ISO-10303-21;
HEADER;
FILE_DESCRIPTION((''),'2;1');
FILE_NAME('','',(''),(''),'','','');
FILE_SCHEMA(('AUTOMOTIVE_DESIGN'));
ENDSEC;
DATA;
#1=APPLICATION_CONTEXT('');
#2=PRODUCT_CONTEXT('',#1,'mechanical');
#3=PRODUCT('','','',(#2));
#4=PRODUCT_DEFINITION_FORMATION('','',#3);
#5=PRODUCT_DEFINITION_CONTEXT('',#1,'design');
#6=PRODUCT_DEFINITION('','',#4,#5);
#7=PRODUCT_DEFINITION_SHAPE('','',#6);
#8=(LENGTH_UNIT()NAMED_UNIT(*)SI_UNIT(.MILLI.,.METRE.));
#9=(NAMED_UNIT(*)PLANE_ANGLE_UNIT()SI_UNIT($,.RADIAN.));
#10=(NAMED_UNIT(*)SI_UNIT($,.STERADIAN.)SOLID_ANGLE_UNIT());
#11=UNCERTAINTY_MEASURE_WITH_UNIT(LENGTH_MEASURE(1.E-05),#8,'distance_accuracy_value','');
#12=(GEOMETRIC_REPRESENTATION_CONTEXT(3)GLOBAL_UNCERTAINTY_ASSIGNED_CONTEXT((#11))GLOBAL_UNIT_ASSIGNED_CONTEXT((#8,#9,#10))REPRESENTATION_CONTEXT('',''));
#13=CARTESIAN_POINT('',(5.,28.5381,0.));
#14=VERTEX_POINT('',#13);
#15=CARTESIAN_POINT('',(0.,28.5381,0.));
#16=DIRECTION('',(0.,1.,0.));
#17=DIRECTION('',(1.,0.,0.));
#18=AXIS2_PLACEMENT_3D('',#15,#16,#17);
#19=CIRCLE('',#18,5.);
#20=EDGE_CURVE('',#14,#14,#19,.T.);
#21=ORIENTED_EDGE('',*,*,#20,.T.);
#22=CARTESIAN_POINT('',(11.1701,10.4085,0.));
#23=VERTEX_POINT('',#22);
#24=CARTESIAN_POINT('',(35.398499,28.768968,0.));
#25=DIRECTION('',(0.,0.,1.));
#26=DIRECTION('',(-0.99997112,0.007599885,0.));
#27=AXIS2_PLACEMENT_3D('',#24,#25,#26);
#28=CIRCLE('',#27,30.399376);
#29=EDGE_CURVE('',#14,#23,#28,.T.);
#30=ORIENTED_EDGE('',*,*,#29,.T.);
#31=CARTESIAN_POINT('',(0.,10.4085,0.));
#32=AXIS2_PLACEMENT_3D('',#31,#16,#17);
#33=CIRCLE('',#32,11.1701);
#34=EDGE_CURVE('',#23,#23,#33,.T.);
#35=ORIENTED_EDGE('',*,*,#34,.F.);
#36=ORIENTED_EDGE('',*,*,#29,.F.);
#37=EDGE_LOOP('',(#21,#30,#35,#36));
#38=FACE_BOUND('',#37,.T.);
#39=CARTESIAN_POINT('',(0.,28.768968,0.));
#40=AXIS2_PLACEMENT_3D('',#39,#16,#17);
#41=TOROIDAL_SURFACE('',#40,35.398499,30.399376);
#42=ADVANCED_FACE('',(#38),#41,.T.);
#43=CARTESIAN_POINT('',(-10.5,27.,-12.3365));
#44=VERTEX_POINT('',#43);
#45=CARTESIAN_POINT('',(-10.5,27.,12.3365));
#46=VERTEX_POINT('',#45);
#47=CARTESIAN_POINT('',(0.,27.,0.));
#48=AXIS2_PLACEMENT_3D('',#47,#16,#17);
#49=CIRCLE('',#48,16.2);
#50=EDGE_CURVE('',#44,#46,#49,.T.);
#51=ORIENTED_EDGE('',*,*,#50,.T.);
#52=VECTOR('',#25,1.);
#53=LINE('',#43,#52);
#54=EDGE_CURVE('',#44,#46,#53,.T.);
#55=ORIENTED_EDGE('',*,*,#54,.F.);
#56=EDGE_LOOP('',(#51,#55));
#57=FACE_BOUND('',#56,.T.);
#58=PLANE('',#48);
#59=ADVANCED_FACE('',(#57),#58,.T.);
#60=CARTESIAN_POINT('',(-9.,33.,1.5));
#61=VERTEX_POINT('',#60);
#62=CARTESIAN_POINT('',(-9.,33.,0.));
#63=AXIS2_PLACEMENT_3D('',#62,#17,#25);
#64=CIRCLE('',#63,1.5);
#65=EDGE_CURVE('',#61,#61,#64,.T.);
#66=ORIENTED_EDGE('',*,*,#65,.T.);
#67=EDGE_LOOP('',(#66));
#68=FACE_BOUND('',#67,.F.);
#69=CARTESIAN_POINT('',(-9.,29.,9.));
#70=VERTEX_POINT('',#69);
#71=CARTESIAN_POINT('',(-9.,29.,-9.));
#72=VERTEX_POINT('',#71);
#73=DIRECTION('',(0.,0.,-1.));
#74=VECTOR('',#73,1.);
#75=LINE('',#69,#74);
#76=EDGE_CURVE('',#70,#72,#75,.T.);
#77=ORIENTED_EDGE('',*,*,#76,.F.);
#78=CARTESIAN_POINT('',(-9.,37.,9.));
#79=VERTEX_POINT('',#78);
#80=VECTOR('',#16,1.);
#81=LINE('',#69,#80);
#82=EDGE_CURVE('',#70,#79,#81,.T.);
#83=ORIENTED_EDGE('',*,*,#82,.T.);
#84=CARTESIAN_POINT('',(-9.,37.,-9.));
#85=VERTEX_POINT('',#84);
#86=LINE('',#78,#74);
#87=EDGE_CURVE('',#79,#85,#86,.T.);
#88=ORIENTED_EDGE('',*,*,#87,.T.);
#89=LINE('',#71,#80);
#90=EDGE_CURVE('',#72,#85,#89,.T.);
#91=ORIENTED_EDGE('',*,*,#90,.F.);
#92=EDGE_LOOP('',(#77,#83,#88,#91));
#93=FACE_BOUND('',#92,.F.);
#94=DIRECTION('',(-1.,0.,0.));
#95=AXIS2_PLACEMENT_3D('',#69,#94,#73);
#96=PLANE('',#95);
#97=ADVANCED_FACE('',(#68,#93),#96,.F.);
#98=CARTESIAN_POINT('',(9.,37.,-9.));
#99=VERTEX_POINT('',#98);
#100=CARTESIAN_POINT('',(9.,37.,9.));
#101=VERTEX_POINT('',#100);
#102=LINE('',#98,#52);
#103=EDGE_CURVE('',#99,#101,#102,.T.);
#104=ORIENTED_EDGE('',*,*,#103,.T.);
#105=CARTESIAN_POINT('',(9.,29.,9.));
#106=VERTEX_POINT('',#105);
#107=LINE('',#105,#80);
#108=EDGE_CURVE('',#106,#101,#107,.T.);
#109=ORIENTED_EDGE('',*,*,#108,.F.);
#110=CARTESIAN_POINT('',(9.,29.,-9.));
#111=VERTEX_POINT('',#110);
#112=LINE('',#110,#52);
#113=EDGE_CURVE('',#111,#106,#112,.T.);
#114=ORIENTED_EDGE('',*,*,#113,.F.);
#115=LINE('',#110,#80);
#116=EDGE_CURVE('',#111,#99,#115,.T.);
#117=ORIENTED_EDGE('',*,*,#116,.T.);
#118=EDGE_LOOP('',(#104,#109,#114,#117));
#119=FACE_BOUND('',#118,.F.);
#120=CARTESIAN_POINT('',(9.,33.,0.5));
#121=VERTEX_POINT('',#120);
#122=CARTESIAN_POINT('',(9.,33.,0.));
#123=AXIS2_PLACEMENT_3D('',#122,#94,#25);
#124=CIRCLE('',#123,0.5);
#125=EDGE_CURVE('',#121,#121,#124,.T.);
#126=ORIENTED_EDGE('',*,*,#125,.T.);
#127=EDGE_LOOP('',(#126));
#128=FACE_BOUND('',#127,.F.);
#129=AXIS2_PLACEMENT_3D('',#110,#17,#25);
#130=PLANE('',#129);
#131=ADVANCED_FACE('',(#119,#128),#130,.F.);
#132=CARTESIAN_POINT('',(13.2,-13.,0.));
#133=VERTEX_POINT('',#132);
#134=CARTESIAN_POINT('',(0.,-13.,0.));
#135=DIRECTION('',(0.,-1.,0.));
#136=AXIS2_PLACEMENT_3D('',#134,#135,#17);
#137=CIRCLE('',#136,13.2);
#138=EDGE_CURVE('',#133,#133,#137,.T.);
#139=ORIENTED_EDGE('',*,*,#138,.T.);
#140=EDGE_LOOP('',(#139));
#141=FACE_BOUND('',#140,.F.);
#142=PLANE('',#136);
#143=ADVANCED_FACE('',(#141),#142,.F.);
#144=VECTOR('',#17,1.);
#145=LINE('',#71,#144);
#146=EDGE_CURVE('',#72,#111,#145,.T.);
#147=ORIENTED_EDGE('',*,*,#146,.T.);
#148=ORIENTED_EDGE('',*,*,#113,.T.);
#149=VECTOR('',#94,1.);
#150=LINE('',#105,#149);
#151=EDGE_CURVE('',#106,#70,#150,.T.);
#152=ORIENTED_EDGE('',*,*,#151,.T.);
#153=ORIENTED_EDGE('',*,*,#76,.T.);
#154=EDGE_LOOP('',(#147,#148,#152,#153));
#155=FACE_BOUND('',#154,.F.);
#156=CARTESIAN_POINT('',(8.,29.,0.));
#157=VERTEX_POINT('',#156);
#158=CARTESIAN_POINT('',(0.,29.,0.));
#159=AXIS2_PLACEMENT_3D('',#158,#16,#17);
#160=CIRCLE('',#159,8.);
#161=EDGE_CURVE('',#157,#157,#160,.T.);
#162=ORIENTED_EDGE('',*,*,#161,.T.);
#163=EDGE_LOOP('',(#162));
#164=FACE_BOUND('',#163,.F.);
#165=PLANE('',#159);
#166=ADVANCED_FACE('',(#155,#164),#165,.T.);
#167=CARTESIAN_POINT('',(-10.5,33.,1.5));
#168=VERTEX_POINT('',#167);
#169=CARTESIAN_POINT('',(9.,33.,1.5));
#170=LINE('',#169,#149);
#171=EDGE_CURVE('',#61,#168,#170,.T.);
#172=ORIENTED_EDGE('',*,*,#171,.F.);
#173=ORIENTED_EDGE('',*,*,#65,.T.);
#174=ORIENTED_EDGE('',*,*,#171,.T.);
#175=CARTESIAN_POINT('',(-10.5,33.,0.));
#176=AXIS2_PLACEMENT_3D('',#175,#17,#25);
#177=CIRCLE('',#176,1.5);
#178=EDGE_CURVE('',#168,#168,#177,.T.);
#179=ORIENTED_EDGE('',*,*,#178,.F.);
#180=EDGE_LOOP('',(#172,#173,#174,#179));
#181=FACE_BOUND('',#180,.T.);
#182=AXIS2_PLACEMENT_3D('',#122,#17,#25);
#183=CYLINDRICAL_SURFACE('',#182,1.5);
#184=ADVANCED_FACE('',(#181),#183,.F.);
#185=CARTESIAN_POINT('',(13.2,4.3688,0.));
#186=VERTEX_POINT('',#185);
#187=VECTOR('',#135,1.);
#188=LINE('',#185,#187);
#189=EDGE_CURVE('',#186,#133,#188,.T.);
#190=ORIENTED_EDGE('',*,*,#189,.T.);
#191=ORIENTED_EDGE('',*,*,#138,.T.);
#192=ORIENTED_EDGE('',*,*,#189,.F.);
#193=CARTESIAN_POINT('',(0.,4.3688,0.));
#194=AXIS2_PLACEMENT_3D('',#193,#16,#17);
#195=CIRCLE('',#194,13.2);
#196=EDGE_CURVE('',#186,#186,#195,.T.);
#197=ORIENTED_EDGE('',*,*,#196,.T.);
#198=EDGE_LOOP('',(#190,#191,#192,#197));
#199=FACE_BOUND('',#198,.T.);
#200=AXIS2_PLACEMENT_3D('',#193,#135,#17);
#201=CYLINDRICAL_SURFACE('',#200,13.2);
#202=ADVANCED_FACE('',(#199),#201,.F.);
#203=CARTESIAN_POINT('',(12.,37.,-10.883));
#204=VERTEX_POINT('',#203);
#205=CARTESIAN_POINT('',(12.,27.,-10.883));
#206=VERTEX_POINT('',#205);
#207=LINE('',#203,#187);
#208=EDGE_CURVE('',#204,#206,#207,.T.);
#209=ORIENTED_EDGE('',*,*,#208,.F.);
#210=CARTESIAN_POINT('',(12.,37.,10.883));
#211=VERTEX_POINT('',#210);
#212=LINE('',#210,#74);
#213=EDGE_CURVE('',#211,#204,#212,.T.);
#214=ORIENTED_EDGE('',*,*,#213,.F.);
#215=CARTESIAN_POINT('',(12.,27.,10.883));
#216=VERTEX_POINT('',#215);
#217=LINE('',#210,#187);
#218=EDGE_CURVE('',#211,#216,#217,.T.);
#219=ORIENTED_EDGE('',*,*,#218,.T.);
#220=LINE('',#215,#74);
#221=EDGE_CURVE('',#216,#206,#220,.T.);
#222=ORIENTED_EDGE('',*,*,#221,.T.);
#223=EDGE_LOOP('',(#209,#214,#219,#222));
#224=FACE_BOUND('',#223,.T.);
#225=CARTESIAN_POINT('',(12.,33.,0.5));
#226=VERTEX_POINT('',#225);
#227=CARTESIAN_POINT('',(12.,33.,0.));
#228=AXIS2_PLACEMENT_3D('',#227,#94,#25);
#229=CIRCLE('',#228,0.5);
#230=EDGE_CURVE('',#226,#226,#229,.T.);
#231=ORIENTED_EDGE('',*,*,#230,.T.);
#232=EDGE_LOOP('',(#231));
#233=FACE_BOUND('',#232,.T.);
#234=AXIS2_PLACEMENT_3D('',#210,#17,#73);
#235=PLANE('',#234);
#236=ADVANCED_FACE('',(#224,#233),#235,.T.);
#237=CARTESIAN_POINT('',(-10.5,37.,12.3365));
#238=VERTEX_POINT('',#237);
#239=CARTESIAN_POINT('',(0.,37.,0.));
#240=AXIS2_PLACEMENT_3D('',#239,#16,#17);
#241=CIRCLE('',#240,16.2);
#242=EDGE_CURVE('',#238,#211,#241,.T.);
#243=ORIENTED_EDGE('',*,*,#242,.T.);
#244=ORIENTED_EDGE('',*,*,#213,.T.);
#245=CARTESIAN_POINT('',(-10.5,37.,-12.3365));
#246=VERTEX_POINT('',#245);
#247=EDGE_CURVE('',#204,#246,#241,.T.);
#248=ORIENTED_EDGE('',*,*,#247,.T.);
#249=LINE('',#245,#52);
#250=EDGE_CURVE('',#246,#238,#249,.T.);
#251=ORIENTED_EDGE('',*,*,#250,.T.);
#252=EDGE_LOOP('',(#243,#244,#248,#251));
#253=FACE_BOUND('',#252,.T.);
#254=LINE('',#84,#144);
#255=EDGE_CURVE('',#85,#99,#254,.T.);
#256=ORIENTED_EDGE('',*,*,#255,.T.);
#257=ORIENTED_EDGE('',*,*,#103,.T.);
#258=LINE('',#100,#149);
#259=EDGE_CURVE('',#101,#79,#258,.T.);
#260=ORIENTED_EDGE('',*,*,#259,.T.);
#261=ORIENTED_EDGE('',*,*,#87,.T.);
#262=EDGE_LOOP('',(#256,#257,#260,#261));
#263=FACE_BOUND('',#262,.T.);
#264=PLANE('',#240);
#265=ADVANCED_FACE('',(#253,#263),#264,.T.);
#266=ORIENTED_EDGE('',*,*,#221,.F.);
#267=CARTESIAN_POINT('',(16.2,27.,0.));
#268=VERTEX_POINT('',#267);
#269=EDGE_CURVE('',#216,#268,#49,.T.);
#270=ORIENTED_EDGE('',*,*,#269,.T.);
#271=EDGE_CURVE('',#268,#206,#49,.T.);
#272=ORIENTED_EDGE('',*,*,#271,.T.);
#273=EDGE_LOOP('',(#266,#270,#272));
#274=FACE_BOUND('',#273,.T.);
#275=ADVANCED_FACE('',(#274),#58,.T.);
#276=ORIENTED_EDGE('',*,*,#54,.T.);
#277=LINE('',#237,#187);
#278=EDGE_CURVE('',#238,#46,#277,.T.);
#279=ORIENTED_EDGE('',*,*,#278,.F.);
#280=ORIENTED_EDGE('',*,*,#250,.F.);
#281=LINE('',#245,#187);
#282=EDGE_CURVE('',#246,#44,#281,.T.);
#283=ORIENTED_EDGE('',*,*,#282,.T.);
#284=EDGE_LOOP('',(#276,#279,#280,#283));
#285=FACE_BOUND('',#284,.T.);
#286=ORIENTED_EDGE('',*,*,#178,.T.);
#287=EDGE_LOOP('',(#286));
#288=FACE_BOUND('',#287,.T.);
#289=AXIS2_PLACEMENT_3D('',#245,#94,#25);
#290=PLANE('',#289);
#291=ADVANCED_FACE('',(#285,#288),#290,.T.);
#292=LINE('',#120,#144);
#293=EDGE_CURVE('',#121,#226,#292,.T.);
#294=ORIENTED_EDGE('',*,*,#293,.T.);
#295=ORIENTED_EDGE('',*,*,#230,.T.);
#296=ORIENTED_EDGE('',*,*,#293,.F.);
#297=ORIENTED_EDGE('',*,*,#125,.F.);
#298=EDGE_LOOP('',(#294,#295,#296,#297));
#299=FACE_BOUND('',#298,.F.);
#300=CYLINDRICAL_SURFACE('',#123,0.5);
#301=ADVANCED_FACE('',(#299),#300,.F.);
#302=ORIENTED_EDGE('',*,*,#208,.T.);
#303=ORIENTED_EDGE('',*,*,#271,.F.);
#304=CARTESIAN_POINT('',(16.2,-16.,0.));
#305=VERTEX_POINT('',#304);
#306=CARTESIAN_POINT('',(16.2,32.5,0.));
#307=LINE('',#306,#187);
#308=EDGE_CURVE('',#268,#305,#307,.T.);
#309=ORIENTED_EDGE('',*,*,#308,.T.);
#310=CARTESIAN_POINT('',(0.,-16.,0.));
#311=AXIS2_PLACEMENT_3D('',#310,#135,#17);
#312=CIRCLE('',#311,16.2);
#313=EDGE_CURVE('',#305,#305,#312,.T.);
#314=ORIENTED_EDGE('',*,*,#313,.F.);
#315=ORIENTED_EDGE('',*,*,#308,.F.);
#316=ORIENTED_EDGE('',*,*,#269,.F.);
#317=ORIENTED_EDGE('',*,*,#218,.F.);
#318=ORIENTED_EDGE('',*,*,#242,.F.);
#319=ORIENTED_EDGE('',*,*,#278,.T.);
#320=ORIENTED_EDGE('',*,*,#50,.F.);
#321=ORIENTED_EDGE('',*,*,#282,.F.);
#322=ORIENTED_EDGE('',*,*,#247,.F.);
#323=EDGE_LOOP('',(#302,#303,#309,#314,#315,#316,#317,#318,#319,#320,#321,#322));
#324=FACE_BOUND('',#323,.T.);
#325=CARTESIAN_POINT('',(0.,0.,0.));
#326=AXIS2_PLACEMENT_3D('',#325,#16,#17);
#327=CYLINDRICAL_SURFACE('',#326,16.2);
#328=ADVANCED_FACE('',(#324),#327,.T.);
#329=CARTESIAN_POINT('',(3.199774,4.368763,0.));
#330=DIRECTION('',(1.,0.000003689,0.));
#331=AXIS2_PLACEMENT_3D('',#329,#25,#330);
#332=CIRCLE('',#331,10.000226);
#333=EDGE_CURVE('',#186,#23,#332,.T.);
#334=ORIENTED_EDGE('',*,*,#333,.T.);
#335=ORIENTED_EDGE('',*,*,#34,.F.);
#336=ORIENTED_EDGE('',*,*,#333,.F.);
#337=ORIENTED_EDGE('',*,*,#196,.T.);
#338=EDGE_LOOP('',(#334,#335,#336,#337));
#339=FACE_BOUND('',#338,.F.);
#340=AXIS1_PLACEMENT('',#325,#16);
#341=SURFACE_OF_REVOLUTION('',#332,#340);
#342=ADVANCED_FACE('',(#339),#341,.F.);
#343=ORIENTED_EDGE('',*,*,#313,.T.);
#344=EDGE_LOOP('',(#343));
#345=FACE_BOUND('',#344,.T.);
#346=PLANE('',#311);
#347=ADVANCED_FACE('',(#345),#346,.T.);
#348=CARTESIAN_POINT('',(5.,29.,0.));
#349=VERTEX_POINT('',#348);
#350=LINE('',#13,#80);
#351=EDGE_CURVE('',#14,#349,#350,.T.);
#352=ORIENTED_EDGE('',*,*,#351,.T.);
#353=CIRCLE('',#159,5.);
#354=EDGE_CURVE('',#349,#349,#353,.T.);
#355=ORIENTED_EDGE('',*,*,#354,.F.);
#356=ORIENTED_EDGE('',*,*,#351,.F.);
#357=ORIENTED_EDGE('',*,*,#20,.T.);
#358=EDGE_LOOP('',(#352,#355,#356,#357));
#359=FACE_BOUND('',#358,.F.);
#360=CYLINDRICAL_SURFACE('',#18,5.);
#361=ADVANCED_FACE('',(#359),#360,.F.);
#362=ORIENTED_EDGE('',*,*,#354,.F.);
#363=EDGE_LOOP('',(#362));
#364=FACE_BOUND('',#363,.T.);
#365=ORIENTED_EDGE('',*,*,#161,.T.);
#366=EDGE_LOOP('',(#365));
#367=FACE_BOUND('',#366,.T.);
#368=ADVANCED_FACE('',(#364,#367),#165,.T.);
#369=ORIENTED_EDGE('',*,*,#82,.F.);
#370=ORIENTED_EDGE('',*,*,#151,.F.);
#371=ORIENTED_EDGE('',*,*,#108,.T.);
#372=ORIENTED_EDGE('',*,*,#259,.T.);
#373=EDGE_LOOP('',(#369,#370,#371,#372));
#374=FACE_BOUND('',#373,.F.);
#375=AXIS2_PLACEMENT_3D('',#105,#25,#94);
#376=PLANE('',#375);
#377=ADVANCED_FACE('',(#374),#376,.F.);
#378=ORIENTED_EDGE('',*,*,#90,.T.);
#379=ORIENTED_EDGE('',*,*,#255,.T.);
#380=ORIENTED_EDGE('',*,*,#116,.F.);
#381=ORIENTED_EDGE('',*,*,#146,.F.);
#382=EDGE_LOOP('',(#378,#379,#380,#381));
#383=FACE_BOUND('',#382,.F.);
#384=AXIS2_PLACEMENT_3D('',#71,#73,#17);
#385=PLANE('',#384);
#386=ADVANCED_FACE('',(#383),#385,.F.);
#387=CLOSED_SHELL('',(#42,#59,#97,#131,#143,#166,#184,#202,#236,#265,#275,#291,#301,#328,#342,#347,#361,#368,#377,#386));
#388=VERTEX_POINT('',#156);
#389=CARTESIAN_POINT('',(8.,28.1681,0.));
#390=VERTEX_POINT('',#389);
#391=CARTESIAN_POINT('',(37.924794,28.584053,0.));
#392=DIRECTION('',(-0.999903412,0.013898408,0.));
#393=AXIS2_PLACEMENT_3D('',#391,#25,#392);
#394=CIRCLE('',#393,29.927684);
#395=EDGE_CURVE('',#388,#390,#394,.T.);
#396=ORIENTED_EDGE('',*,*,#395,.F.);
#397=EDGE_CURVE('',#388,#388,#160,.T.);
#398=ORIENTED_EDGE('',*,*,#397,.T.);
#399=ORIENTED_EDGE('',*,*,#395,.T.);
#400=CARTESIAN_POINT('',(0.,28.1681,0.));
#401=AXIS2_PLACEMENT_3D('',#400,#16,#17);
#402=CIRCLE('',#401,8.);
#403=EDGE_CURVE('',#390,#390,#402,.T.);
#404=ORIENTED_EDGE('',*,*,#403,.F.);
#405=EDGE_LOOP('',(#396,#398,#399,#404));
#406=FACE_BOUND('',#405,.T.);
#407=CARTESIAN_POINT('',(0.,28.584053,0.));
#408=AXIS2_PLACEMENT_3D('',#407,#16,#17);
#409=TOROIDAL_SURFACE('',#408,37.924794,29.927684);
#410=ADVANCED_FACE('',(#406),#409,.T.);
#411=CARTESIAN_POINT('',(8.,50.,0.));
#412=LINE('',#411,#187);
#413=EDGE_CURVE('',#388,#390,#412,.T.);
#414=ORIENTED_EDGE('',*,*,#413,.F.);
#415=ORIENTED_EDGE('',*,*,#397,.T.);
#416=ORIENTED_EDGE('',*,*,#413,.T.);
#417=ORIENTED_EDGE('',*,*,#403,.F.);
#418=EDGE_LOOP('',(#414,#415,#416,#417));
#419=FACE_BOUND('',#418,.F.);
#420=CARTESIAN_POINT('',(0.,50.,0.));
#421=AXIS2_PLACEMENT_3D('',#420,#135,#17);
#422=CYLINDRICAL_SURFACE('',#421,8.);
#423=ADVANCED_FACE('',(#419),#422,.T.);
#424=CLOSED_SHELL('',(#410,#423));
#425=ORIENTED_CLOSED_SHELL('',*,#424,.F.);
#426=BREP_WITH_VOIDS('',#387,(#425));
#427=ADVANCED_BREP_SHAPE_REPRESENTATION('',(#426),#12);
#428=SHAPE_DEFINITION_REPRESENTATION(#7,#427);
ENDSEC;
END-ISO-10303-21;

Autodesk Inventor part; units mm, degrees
ref_plane "YZ Plane" through (0, 0, 0) normal (1, 0, 0) x (0, 1, 0)
ref_plane "XZ Plane" through (0, 0, 0) normal (0, 1, 0) x (-1, 0, 0)
ref_plane "XY Plane" through (0, 0, 0) normal (0, 0, 1) x (1, 0, 0)
sketch "Esboço1" plane through (0, 0, 0) normal (0, 0, 1) x (1, 0, 0)
  line L0 (0, 0) -> (14.7, 0)
  line L1 (14.7, 0) -> (16.2, 0)
  line L2 (16.2, 0) -> (16.2, 4.3403)
  line L3 (16.2, 50) -> (14.7, 50)
  line L4 (14.7, 50) -> (13.2, 50)
  line L5 (13.2, 4.3688) -> (13.2, 0)
  line L6 (0, 0) -> (0, 50)
  line L7 (0, 0) -> (5, 0)
  line L8 (5, 28.5381) -> (5, 50)
  line L9 (8, 29) -> (42.1402, 29)
  line L10 (15.5063, 8) -> (35.5749, 8)
  arc A0 (5, 29) -> (11.1701, 10.4085) centre (35.3987, 28.769) ccw
  arc A1 (13.2, 4.3688) -> (11.1701, 10.4085) centre (3.2, 4.3688) ccw
  line L11 (5, 50) -> (8, 50)
  arc A2 (8, 29) -> (14.1456, 10.4122) centre (37.9251, 28.5841) ccw
  arc A3 (16.2, 4.3403) -> (14.1456, 10.4122) centre (6.2, 4.3403) ccw
  line L12 (8, 50) -> (8, 28.1681)
  line L13 (14.7, 0) -> (14.7, 4)
  line L14 (14.7, 9.6081) -> (14.7, 50)
  line L15 (16.2, 4) -> (35.5749, 4)
  line L16 (0, 32) -> (45.564, 32)
  line L17 (16.2, 0) -> (16.2, 50)
  line L18 (8, 29) -> (0, 29)
  line L19 (13.2, 50) -> (13.2, 29)
  line L20 (0, 37) -> (42.1402, 37)
  point P0 (13.2, 8)
  point P1 (16.2, 8)
  point P2 (16.2, 8)
  point P3 (16.2, 29)
  point P4 (8, 32)
  point P5 (5, 32)
  point P6 (5, 29)
  point P7 (16.2, 37)
  point P8 (8, 37)
  point P9 (13.2, 37)
  dimension "d15" = 14.7
  dimension "d16" = 50
  dimension "d17" = 1.5
  dimension "d18" = 1.5
  dimension "d20" = 5
  dimension "d23" = 10
  dimension "d24" = 3
  dimension "d25" = 10
  dimension "d27" = 3
  dimension "d28" = 5
revolve "Revolução1" add sketch "Esboço1" angle 360 about axis through (0, 0, 0) along (0, 1, 0) contours L5 A1 A0 L8 L18 A2 A3 L2 L1 L0 | L9 L14 A3 A2 L12 | L19 L16 L14 L9 | L19 L20 L14 L16 | L14 L16 L17 L9 | L9 L17 L10 A3 L14 | A3 L10 L17 | L14 L20 L17 L16
sketch "Esboço2" plane through (0, 29, 0) normal (0, 1, 0) x (1, 0, 0)
  circle A0 centre (0, 0) radius 13.2
  line L0 (9, -9) -> (-9, -9)
  line L1 (-9, -9) -> (-9, 9)
  line L2 (-9, 9) -> (9, 9)
  line L3 (9, 9) -> (9, -9)
  line L4 (9, -9) -> (-9, 9) construction
  line L5 (-9, -9) -> (9, 9) construction
  dimension "d29" = 18
  dimension "d30" = 18
extrude "Extrusão1" add sketch "Esboço2" along normal blind 8
sketch "Esboço3" plane through (0, 0, 0) normal (0, -1, 0) x (1, 0, 0)
  circle A0 centre (0, 0) radius 13.2
  circle A1 centre (0, 0) radius 16.2
extrude "Extrusão2" add sketch "Esboço3" along normal blind 10
sketch "Esboço4" plane through (0, -10, 0) normal (0, -1, 0) x (1, 0, 0)
  circle A0 centre (0, 0) radius 16.2
  circle A1 centre (0, 0) radius 13.2
extrude "Extrusão3" add sketch "Esboço4" along normal blind 3
sketch "Esboço6" plane through (0, -13, 0) normal (0, -1, 0) x (1, 0, 0)
  circle A0 centre (0, 0) radius 16.2
extrude "Extrusão4" add sketch "Esboço6" along normal blind 3
sketch "Esboço7" plane through (9, 29, -9) normal (-1, 0, 0) x (0, 0, 1)
  circle A0 centre (9, 4) radius 0.5
  line L0 (18, 0) -> (0, 0) projected
  point P0 (9, -29)
  point P1 (9, 0)
  dimension "d39" = 1
  dimension "d40" = 4
extrude "Extrusão5" cut sketch "Esboço7" against normal blind 43.25
sketch "Esboço9" plane through (0, 37, 0) normal (0, 1, 0) x (1, 0, 0)
  circle A0 centre (0, 0) radius 16.2 projected
  line L0 (-10.5, 12.3365) -> (-10.5, -12.3365)
  line L1 (-9, -9) -> (-9, 9) projected
  circle A1 centre (0, 0) radius 16.2
  line L2 (12, -10.883) -> (12, 10.883)
  line L3 (9, 9) -> (9, -9) projected
  dimension "d43" = 1.5
  dimension "d48" = 3
extrude "Extrusão6" cut sketch "Esboço9" against normal blind 10 contours L0 A0
sketch "Esboço10" plane through (9, 29, -9) normal (-1, 0, 0) x (0, 0, 1)
  circle A0 centre (9, 4) radius 0.5 projected
  circle A1 centre (9, 4) radius 1.5
  point P0 (9, -29)
extrude "Extrusão7" cut sketch "Esboço10" along normal blind 43.25 contours A0 | A1
extrude "Extrusão8" cut sketch "Esboço9" against normal blind 10 contours A0 L2
properties part number "Peça2_3DPrint"
